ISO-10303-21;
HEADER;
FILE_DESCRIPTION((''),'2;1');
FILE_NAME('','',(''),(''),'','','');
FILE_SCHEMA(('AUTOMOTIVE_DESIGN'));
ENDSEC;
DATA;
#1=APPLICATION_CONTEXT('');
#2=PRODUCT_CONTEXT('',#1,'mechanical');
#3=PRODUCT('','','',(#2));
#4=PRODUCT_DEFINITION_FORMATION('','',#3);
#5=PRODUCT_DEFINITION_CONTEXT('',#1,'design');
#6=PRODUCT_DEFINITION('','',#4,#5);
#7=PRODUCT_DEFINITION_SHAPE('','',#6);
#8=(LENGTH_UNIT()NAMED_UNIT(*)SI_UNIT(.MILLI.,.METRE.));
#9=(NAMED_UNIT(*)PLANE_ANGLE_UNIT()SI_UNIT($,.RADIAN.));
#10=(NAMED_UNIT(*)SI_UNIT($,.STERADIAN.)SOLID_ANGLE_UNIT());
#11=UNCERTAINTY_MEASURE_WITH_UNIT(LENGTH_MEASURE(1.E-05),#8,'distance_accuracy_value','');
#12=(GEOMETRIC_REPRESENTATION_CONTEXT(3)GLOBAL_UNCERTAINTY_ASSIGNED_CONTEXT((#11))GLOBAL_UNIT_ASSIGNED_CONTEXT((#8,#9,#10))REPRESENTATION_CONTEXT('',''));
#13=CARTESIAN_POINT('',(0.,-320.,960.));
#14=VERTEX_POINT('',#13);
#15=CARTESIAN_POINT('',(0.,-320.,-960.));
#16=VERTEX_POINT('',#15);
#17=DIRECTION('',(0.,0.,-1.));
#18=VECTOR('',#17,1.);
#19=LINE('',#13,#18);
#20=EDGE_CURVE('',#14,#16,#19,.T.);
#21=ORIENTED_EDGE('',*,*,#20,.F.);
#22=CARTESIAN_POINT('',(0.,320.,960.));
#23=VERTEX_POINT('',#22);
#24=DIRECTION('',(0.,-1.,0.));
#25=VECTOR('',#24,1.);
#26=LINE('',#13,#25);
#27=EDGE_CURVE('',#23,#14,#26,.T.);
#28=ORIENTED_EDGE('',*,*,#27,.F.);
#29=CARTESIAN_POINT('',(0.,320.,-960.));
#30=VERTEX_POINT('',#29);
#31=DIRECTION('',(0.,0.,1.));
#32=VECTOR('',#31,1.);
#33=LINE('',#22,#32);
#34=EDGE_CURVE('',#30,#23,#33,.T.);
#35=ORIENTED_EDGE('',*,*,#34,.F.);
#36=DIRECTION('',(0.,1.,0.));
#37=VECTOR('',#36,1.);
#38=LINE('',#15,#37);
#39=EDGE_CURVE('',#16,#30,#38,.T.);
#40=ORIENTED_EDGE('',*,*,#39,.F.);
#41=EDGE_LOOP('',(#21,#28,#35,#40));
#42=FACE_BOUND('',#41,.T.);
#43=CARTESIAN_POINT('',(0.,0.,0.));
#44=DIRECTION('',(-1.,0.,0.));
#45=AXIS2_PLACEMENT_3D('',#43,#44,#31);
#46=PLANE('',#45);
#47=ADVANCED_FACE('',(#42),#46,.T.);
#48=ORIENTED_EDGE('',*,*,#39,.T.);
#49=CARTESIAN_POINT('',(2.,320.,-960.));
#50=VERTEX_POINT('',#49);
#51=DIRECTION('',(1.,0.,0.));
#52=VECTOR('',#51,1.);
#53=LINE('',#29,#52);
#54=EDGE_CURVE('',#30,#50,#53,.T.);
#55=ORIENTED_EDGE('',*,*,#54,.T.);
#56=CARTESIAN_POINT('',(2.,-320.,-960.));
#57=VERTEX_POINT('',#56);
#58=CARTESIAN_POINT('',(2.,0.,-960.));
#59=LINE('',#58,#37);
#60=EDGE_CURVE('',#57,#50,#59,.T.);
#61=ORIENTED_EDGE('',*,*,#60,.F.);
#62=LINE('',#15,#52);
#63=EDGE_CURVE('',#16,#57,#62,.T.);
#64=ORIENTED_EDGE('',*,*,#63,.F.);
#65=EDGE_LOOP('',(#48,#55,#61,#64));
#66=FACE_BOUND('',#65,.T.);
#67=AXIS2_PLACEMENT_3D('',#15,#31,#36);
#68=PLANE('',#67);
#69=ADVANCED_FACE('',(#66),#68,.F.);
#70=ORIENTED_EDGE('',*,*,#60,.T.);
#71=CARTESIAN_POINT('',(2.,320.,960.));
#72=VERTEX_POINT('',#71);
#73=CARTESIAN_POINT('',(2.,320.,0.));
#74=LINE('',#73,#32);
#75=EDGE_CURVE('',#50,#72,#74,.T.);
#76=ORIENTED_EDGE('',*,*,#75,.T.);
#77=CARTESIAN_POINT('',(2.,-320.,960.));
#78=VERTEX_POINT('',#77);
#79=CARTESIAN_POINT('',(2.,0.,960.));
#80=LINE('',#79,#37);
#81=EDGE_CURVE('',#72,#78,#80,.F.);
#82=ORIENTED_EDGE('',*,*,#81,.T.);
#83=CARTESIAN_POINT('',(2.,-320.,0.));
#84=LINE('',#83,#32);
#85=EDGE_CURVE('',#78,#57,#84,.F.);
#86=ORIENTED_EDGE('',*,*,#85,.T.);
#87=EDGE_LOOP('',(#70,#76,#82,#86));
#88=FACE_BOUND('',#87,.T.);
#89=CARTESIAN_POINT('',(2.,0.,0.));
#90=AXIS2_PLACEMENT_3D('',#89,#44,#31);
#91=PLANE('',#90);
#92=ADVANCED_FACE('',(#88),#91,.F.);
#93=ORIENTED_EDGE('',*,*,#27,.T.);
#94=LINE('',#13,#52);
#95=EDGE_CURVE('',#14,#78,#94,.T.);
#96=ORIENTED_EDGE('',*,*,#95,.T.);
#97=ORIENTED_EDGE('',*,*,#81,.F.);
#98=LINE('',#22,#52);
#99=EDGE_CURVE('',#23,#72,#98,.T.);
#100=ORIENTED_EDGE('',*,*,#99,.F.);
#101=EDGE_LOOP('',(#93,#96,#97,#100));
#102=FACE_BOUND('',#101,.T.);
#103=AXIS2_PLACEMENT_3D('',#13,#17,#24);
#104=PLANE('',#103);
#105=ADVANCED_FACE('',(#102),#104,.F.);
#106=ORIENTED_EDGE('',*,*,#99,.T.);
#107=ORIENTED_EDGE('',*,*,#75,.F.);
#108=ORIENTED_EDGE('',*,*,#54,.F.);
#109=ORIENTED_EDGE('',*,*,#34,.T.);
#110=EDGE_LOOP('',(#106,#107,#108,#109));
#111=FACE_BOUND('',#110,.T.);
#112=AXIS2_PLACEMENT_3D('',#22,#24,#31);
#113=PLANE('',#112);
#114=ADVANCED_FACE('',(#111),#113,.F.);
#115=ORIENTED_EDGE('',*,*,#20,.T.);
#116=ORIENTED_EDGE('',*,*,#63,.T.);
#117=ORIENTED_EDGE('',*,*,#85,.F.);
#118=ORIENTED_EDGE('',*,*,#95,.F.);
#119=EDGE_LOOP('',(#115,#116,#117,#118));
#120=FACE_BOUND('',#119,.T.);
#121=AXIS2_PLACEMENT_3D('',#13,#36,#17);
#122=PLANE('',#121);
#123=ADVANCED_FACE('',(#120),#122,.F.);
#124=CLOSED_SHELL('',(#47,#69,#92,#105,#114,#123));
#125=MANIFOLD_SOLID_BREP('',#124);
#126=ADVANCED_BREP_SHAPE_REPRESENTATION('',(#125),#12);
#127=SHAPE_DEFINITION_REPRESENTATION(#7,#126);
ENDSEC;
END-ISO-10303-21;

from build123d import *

# Parameters (mm, degrees)
SKETCH1_W   = 1920
SKETCH1_H   = 640
THICKEN1_T1 = 2


with BuildPart() as body_1:
    # Sketch1 → Surface-Plane1: a flat surface bounded by the sketch
    with BuildSketch(Plane(origin=(0, 0, 0), x_dir=(0, 0, -1), z_dir=(1, 0, 0)), mode=Mode.PRIVATE) as surface_plane1_1_region:
        Rectangle(SKETCH1_W, SKETCH1_H)
    surface_plane1_1 = surface_plane1_1_region.sketch.faces()[0]
    add(Solid.thicken(surface_plane1_1, THICKEN1_T1))


solid = body_1.part
